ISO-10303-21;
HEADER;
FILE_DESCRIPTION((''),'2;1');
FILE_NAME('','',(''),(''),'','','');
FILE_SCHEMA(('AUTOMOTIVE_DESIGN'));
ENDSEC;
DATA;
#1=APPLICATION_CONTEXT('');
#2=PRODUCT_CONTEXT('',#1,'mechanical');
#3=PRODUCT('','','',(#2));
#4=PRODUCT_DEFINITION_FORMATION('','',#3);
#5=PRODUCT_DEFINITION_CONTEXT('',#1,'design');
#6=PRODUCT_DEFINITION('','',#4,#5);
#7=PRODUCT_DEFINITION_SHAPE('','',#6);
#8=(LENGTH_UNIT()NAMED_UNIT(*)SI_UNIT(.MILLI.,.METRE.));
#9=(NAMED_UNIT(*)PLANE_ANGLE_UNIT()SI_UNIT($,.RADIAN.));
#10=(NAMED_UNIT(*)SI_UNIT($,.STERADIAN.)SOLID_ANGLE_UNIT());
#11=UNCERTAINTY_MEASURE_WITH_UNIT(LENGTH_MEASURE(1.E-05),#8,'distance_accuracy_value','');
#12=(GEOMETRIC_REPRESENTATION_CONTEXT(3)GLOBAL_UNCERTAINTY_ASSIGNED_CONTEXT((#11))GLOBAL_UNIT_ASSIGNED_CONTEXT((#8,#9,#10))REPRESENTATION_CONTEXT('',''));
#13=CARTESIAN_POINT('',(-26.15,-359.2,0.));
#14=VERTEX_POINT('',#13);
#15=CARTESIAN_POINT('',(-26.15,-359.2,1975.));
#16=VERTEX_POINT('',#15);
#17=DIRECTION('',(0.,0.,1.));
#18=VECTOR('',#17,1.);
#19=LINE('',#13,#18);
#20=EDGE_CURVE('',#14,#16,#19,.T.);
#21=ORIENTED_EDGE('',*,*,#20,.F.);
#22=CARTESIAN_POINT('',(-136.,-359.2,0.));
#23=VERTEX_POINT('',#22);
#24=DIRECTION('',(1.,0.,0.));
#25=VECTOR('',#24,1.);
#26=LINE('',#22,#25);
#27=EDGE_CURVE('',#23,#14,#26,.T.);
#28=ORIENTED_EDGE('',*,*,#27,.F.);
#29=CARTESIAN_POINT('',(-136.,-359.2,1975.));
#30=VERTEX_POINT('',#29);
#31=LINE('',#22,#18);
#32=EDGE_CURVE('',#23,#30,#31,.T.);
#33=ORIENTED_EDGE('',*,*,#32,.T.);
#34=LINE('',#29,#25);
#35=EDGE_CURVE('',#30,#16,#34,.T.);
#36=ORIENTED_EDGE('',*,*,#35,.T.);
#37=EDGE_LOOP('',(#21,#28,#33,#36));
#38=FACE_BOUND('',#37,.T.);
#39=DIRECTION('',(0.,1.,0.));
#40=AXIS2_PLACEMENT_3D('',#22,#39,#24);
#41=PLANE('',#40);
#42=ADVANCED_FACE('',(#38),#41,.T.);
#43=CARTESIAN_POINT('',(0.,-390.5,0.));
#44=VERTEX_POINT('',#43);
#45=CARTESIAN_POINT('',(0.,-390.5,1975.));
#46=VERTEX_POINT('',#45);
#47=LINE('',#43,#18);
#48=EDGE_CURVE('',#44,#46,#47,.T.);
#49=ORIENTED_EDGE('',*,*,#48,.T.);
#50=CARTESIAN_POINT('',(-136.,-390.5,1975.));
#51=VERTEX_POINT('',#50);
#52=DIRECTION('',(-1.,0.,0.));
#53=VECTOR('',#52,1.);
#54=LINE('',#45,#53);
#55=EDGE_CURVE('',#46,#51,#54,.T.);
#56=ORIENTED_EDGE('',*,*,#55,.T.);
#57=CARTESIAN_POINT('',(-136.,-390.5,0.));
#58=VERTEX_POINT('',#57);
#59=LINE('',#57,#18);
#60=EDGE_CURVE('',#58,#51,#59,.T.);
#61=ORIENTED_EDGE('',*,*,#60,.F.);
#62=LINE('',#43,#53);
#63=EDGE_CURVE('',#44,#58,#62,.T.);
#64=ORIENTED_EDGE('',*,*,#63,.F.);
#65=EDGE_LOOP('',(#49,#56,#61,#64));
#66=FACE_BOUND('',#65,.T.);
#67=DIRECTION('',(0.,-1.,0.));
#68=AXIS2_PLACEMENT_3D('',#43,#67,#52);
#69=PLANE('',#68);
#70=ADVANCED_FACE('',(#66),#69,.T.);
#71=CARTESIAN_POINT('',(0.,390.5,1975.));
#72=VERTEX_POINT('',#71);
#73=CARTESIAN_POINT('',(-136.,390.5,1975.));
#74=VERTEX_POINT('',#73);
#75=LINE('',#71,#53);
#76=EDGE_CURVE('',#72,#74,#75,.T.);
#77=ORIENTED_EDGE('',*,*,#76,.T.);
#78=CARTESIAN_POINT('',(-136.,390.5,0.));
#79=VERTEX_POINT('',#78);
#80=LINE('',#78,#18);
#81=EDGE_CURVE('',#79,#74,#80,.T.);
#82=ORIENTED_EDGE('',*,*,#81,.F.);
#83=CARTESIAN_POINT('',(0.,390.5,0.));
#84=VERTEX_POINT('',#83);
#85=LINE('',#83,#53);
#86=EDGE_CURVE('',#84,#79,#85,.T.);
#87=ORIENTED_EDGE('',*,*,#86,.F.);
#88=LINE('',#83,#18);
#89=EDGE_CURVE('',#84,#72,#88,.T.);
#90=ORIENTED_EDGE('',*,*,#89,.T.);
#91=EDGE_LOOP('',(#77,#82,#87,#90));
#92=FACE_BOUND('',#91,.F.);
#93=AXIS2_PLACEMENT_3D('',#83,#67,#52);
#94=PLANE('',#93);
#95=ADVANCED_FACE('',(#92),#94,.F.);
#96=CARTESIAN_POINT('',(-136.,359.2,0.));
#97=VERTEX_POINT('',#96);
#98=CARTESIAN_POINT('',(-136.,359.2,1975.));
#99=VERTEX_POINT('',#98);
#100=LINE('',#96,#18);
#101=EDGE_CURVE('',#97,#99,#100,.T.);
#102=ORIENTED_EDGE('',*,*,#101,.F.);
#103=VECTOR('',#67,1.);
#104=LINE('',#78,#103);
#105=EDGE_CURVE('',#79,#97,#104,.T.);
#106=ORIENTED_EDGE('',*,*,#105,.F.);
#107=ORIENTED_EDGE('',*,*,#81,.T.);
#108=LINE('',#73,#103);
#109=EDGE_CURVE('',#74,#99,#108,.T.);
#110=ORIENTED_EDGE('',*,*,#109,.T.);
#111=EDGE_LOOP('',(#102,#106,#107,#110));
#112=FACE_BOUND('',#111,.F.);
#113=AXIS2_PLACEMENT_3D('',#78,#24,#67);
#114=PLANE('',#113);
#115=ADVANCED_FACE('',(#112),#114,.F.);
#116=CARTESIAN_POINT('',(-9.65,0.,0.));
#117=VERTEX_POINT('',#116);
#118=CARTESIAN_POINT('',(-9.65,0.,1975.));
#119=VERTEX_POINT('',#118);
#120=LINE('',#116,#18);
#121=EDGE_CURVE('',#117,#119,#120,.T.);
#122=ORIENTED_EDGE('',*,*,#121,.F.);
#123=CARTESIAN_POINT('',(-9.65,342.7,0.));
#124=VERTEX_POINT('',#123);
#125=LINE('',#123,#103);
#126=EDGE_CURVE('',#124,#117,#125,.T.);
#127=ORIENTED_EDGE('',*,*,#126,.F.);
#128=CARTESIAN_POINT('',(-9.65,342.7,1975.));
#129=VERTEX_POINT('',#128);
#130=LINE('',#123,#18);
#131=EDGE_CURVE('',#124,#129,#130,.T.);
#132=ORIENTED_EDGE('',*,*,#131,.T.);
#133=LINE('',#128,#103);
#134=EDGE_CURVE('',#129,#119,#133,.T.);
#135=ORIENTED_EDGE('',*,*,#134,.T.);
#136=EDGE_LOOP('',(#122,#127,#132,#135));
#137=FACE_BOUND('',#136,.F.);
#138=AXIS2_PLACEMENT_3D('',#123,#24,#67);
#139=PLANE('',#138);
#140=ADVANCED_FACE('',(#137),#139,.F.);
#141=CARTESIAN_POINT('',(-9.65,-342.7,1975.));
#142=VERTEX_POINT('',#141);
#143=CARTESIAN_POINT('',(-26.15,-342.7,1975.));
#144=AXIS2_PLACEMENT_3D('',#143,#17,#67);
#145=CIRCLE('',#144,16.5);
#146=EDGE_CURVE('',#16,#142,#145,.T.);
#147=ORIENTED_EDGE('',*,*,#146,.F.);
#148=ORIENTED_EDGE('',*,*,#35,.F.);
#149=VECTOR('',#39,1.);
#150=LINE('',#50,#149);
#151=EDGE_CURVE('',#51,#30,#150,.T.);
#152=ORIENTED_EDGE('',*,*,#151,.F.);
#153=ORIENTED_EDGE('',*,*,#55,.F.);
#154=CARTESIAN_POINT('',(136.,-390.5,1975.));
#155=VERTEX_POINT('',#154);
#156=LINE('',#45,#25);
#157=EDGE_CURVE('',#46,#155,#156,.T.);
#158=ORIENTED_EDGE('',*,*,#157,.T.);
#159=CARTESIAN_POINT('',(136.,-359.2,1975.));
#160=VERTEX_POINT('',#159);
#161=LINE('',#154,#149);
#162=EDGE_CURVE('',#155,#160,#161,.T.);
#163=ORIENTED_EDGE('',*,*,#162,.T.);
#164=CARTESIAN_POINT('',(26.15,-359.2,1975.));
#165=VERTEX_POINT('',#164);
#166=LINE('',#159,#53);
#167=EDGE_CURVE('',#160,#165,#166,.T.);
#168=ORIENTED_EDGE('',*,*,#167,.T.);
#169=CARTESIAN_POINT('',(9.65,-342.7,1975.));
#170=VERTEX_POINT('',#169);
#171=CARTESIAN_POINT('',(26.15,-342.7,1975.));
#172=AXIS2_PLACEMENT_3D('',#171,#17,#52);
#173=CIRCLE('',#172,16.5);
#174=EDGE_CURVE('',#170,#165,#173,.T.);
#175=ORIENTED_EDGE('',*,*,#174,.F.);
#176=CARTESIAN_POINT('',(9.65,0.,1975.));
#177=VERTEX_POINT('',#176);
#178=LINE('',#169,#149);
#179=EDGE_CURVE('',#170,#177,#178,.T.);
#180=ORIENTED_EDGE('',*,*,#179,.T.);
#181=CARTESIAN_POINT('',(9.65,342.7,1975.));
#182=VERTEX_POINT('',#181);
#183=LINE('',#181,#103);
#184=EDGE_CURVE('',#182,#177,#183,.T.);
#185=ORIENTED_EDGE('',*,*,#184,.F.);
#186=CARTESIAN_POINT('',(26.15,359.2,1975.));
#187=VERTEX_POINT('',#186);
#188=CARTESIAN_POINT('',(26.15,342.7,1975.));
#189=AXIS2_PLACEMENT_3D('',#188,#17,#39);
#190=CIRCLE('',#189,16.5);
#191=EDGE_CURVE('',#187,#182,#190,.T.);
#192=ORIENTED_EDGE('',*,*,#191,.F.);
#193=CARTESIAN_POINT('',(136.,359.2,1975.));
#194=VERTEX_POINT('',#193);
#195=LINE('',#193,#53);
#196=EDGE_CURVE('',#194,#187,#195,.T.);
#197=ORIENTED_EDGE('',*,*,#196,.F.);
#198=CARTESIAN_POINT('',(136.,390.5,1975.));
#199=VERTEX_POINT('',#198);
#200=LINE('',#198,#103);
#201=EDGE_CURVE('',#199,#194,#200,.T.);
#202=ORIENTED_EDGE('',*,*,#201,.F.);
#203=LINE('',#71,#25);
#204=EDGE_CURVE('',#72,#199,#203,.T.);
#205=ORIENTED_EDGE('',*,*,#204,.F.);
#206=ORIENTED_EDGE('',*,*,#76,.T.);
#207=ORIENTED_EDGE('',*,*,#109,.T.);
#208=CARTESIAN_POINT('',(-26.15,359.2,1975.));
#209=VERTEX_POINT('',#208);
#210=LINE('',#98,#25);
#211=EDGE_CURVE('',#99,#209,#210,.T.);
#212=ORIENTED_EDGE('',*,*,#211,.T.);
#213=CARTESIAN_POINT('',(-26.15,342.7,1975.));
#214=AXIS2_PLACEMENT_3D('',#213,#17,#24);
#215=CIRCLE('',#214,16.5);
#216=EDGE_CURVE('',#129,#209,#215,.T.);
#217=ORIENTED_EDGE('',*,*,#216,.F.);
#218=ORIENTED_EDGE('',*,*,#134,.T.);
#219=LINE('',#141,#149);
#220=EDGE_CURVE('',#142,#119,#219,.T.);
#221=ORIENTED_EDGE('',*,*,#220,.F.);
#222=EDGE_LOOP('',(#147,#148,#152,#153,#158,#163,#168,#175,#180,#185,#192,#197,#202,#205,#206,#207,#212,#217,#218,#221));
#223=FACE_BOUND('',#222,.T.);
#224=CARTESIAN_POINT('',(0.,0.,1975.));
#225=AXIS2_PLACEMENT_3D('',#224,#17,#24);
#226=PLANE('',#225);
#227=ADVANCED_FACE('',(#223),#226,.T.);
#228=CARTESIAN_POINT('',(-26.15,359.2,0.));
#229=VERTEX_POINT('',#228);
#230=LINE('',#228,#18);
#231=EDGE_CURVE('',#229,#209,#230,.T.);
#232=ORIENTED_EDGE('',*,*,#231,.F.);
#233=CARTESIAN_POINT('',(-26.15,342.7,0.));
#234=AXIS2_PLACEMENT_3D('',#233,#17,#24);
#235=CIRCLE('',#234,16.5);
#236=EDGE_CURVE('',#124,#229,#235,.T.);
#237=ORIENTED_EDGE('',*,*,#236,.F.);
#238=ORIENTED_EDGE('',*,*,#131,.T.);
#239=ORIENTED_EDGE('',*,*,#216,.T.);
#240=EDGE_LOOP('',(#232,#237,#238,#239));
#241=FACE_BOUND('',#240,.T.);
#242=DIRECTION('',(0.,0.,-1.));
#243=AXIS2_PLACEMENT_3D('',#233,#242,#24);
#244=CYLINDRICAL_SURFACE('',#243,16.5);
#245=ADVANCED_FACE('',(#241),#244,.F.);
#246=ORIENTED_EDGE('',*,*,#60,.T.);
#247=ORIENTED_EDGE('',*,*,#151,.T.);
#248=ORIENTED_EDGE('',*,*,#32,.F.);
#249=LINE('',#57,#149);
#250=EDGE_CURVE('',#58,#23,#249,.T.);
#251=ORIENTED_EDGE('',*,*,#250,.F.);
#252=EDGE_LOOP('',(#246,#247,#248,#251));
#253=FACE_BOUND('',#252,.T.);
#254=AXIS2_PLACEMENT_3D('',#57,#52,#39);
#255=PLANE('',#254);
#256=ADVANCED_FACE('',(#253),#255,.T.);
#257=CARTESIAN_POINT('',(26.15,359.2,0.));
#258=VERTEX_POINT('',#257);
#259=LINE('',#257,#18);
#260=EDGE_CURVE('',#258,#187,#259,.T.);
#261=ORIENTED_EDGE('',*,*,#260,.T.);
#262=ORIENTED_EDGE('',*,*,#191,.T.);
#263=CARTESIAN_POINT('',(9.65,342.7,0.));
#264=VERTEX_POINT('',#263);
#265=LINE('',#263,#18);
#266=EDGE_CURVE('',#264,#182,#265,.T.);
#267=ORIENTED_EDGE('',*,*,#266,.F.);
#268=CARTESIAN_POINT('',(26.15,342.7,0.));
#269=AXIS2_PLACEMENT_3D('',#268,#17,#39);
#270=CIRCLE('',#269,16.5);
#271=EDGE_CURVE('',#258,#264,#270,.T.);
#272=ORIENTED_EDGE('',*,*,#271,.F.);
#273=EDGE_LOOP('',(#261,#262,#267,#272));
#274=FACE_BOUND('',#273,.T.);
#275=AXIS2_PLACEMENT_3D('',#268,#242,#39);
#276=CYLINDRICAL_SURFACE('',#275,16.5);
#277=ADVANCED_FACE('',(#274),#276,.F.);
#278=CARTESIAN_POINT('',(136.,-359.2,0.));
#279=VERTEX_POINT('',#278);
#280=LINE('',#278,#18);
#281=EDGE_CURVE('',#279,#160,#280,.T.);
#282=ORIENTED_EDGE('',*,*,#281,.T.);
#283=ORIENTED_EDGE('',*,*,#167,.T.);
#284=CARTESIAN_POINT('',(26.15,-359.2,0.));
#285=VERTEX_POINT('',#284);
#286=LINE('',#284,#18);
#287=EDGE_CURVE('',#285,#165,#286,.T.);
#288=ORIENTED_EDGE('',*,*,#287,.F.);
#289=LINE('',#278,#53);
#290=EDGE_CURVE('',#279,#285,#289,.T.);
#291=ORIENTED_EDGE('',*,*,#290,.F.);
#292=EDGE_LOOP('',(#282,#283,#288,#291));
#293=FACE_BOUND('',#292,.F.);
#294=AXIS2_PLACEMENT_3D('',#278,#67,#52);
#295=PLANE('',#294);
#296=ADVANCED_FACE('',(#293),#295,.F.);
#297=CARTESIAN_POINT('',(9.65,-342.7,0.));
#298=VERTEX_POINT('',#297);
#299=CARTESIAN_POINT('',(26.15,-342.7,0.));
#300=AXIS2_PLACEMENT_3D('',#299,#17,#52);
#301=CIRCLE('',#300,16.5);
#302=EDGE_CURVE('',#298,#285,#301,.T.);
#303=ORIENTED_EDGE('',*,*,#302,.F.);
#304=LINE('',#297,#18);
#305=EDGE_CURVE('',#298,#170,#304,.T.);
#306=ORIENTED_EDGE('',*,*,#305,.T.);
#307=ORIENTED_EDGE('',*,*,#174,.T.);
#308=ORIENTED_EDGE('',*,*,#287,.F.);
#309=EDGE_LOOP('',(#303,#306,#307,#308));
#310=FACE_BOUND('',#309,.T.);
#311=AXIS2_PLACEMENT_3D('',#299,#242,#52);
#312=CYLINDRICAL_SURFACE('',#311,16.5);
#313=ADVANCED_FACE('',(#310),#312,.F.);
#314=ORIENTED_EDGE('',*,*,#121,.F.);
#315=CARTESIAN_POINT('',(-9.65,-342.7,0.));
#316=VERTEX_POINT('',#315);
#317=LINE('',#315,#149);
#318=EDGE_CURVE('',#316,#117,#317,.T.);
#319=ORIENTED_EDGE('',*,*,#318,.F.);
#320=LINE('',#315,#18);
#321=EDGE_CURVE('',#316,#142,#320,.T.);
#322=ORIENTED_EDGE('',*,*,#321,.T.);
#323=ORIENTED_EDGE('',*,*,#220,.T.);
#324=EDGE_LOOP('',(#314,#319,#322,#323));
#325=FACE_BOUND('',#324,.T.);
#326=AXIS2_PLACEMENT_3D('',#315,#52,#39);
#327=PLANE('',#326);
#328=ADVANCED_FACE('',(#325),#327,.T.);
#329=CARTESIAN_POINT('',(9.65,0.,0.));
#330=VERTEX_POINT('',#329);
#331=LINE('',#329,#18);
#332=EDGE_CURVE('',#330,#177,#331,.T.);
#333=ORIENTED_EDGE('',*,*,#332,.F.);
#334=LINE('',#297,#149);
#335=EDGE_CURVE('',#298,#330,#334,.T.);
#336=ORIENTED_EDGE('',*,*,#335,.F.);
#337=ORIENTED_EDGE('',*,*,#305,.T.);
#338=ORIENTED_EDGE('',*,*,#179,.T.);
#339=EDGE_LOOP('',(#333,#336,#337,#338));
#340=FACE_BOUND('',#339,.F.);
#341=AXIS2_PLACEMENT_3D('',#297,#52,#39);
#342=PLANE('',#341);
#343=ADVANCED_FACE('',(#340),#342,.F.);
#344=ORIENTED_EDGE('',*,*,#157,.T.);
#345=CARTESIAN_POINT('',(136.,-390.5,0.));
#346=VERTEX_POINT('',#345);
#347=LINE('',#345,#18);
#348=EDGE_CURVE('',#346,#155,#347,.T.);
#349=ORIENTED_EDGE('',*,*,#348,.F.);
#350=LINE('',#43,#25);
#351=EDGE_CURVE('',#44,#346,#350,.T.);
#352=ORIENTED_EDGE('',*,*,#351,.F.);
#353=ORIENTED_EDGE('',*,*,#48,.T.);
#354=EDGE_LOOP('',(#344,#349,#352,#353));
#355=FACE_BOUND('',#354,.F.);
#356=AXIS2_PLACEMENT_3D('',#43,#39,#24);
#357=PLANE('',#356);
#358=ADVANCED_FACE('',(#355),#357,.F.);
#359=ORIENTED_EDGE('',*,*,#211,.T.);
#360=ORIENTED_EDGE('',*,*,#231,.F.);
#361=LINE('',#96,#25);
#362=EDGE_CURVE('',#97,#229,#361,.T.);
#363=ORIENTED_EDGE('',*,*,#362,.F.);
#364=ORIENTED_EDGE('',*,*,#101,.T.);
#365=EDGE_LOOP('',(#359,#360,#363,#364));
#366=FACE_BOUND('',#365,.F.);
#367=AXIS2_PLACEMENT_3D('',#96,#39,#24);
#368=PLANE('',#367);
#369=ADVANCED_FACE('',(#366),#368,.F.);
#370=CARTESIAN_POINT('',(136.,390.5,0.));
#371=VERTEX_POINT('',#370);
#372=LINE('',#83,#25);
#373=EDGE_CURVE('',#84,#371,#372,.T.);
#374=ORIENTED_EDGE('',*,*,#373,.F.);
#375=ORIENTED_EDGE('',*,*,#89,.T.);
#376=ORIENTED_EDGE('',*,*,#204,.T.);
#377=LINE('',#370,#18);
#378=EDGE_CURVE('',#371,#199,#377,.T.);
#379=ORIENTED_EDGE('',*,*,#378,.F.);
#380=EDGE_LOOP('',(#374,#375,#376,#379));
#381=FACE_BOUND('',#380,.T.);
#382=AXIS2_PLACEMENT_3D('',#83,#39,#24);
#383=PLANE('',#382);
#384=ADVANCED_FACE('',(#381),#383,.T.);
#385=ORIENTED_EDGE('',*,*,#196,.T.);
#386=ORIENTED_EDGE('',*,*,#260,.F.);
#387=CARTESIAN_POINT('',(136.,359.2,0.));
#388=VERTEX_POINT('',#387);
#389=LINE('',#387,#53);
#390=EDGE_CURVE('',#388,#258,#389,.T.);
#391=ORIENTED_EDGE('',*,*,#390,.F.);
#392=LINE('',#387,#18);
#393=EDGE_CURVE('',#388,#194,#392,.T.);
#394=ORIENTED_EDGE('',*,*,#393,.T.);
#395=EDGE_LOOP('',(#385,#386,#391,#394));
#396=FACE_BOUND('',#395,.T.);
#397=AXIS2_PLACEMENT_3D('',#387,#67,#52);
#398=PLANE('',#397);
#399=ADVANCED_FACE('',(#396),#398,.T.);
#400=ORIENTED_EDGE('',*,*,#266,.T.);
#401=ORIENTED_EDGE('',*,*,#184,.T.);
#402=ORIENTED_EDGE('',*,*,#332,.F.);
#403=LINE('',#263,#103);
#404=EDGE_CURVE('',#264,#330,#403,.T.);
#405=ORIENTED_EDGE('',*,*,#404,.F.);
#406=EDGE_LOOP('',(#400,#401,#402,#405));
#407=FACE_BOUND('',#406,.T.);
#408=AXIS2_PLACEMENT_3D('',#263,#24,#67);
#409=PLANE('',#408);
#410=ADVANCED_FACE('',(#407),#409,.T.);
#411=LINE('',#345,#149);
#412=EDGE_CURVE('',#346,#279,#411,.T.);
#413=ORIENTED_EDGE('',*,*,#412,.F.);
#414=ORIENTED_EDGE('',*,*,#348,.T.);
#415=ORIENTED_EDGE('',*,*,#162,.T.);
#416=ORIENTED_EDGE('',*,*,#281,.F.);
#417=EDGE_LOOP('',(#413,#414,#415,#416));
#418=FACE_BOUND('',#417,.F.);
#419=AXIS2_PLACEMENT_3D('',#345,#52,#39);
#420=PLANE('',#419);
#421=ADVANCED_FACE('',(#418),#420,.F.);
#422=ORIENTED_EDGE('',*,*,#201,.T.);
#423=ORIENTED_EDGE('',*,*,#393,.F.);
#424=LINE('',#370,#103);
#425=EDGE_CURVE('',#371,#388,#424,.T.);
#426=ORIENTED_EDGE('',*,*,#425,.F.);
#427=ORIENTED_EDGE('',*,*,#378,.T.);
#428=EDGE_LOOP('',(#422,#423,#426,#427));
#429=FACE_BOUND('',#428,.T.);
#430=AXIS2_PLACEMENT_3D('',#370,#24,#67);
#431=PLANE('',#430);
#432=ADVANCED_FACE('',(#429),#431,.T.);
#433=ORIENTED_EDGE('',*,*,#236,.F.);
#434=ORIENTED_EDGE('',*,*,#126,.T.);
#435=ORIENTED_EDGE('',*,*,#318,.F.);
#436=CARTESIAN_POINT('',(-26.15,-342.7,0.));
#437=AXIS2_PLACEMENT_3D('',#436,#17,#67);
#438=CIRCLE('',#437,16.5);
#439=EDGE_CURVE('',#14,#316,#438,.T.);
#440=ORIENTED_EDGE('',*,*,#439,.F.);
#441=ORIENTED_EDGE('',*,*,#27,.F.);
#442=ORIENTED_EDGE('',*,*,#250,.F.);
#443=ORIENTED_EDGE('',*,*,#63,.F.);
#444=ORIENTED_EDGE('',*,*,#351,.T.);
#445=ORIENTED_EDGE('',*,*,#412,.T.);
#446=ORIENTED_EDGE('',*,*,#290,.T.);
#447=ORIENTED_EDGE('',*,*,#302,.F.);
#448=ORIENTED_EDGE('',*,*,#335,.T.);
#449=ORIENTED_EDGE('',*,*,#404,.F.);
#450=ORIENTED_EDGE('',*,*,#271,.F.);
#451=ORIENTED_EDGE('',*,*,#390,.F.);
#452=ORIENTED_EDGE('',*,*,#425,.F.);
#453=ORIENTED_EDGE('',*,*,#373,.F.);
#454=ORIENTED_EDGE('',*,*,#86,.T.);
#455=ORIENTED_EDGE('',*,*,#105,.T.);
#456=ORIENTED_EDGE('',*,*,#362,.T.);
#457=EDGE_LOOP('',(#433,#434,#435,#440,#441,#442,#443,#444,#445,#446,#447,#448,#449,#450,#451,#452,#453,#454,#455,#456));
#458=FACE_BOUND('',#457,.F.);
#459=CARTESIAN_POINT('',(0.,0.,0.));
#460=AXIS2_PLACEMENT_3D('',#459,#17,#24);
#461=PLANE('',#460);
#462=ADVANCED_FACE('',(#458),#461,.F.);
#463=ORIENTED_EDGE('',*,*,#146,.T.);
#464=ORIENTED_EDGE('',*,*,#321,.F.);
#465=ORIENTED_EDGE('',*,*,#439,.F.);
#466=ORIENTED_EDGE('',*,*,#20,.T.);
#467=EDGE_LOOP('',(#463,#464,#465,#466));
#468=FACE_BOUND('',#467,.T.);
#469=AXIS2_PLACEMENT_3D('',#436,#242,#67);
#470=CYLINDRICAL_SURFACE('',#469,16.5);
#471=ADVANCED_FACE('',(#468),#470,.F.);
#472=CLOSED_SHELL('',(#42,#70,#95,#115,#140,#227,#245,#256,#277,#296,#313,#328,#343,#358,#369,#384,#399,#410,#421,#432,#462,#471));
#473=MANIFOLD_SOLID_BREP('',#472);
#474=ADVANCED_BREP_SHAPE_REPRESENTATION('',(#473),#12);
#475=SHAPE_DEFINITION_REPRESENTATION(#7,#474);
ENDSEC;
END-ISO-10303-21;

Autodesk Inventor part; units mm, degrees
ref_plane "YZ Plane" through (0, 0, 0) normal (1, 0, 0) x (0, 1, 0)
ref_plane "Start plane" through (0, 0, 0) normal (0, 0, 1) x (1, 0, 0)
ref_plane "End plane" through (0, 0, 1975) normal (0, 0, 1) x (1, 0, 0)
sketch "Sketch" plane through (0, 0, 0) normal (0, 0, 1) x (1, 0, 0)
  line L0 (-136, -390.5) -> (-136, -359.2)
  line L1 (-136, -359.2) -> (-26.15, -359.2)
  line L2 (-9.65, -342.7) -> (-9.65, 0)
  line L3 (-9.65, 0) -> (0, 0) construction
  line L4 (0, 0) -> (0, -390.5) construction
  line L5 (0, -390.5) -> (-136, -390.5)
  line L6 (-60, 0) -> (80, 0) construction
  line L7 (0, -60) -> (0, 80) construction
  line L8 (136, -390.5) -> (136, -359.2)
  line L9 (136, -359.2) -> (26.15, -359.2)
  line L10 (9.65, -342.7) -> (9.65, 0)
  line L11 (9.65, 0) -> (0, 0) construction
  line L12 (0, -390.5) -> (136, -390.5)
  line L13 (-136, 390.5) -> (-136, 359.2)
  line L14 (-136, 359.2) -> (-26.15, 359.2)
  line L15 (-9.65, 342.7) -> (-9.65, 0)
  line L16 (0, 390.5) -> (-136, 390.5)
  line L17 (136, 390.5) -> (136, 359.2)
  line L18 (136, 359.2) -> (26.15, 359.2)
  line L19 (0, 390.5) -> (136, 390.5)
  line L20 (9.65, 342.7) -> (9.65, 0)
  arc A0 (-9.65, 342.7) -> (-26.15, 359.2) centre (-26.15, 342.7) ccw
  arc A1 (26.15, 359.2) -> (9.65, 342.7) centre (26.15, 342.7) ccw
  arc A2 (9.65, -342.7) -> (26.15, -359.2) centre (26.15, -342.7) ccw
  arc A3 (-26.15, -359.2) -> (-9.65, -342.7) centre (-26.15, -342.7) ccw
  line L21 (0, 108) -> (0, -88) construction
  line L22 (-88, 0) -> (108, 0) construction
  point P0 (-9.65, -359.2)
  point P1 (9.65, -359.2)
  point P2 (-9.65, 359.2)
  point P3 (9.65, 359.2)
  dimension "d1" = 390.5
  dimension "d2" = 31.3
  dimension "d3" = 136
  dimension "d4" = 9.65
  dimension "d10" = 16.5
extrude "Body" add sketch "Sketch" along normal up to surface (1975 mm away) from surface at 0
sketch "Sketch4" plane through (0, 0, 0) normal (0, 0, 1) x (1, 0, 0)
  line L0 (0, 0) -> (10, 0)
ref_plane "Work Plane3" through (0, 0, 0) normal (0, -1, 0) x (1, 0, 0)
sketch "Sketch5" plane through (0, 0, 0) normal (0, -1, 0) x (1, 0, 0)
  line L0 (-2, 0) -> (12, 0) projected
  line L1 (-2, 1975) -> (12, 1975) projected
  dimension "d14" = 1975
equation "\"d1\" = 0.5 * G_H"
equation "\"d2\" = G_T1"
equation "\"d3\" = 0.5 * G_W"
equation "\"d4\" = 0.5 * G_T"
equation "\"d10\" = G_IR"
equation "\"d5\" = G_L"
equation "\"G_W\" = 272"
equation "\"G_H\" = 781"
equation "\"G_T\" = 19.3"
equation "\"G_T1\" = 31.3"
equation "\"G_IR\" = 16.5"
equation "\"G_L\" = d14"
equation "\"G_OFFSET_START\" = 0"
equation "\"G_OFFSET_END\" = 0"
equation "\"d12\" = G_OFFSET_END + B_L"
equation "\"B_L\" = 1975"
properties part number "AS 3679-1990 - 760 UB - 244 - 1975" material "Steel, Mild"
